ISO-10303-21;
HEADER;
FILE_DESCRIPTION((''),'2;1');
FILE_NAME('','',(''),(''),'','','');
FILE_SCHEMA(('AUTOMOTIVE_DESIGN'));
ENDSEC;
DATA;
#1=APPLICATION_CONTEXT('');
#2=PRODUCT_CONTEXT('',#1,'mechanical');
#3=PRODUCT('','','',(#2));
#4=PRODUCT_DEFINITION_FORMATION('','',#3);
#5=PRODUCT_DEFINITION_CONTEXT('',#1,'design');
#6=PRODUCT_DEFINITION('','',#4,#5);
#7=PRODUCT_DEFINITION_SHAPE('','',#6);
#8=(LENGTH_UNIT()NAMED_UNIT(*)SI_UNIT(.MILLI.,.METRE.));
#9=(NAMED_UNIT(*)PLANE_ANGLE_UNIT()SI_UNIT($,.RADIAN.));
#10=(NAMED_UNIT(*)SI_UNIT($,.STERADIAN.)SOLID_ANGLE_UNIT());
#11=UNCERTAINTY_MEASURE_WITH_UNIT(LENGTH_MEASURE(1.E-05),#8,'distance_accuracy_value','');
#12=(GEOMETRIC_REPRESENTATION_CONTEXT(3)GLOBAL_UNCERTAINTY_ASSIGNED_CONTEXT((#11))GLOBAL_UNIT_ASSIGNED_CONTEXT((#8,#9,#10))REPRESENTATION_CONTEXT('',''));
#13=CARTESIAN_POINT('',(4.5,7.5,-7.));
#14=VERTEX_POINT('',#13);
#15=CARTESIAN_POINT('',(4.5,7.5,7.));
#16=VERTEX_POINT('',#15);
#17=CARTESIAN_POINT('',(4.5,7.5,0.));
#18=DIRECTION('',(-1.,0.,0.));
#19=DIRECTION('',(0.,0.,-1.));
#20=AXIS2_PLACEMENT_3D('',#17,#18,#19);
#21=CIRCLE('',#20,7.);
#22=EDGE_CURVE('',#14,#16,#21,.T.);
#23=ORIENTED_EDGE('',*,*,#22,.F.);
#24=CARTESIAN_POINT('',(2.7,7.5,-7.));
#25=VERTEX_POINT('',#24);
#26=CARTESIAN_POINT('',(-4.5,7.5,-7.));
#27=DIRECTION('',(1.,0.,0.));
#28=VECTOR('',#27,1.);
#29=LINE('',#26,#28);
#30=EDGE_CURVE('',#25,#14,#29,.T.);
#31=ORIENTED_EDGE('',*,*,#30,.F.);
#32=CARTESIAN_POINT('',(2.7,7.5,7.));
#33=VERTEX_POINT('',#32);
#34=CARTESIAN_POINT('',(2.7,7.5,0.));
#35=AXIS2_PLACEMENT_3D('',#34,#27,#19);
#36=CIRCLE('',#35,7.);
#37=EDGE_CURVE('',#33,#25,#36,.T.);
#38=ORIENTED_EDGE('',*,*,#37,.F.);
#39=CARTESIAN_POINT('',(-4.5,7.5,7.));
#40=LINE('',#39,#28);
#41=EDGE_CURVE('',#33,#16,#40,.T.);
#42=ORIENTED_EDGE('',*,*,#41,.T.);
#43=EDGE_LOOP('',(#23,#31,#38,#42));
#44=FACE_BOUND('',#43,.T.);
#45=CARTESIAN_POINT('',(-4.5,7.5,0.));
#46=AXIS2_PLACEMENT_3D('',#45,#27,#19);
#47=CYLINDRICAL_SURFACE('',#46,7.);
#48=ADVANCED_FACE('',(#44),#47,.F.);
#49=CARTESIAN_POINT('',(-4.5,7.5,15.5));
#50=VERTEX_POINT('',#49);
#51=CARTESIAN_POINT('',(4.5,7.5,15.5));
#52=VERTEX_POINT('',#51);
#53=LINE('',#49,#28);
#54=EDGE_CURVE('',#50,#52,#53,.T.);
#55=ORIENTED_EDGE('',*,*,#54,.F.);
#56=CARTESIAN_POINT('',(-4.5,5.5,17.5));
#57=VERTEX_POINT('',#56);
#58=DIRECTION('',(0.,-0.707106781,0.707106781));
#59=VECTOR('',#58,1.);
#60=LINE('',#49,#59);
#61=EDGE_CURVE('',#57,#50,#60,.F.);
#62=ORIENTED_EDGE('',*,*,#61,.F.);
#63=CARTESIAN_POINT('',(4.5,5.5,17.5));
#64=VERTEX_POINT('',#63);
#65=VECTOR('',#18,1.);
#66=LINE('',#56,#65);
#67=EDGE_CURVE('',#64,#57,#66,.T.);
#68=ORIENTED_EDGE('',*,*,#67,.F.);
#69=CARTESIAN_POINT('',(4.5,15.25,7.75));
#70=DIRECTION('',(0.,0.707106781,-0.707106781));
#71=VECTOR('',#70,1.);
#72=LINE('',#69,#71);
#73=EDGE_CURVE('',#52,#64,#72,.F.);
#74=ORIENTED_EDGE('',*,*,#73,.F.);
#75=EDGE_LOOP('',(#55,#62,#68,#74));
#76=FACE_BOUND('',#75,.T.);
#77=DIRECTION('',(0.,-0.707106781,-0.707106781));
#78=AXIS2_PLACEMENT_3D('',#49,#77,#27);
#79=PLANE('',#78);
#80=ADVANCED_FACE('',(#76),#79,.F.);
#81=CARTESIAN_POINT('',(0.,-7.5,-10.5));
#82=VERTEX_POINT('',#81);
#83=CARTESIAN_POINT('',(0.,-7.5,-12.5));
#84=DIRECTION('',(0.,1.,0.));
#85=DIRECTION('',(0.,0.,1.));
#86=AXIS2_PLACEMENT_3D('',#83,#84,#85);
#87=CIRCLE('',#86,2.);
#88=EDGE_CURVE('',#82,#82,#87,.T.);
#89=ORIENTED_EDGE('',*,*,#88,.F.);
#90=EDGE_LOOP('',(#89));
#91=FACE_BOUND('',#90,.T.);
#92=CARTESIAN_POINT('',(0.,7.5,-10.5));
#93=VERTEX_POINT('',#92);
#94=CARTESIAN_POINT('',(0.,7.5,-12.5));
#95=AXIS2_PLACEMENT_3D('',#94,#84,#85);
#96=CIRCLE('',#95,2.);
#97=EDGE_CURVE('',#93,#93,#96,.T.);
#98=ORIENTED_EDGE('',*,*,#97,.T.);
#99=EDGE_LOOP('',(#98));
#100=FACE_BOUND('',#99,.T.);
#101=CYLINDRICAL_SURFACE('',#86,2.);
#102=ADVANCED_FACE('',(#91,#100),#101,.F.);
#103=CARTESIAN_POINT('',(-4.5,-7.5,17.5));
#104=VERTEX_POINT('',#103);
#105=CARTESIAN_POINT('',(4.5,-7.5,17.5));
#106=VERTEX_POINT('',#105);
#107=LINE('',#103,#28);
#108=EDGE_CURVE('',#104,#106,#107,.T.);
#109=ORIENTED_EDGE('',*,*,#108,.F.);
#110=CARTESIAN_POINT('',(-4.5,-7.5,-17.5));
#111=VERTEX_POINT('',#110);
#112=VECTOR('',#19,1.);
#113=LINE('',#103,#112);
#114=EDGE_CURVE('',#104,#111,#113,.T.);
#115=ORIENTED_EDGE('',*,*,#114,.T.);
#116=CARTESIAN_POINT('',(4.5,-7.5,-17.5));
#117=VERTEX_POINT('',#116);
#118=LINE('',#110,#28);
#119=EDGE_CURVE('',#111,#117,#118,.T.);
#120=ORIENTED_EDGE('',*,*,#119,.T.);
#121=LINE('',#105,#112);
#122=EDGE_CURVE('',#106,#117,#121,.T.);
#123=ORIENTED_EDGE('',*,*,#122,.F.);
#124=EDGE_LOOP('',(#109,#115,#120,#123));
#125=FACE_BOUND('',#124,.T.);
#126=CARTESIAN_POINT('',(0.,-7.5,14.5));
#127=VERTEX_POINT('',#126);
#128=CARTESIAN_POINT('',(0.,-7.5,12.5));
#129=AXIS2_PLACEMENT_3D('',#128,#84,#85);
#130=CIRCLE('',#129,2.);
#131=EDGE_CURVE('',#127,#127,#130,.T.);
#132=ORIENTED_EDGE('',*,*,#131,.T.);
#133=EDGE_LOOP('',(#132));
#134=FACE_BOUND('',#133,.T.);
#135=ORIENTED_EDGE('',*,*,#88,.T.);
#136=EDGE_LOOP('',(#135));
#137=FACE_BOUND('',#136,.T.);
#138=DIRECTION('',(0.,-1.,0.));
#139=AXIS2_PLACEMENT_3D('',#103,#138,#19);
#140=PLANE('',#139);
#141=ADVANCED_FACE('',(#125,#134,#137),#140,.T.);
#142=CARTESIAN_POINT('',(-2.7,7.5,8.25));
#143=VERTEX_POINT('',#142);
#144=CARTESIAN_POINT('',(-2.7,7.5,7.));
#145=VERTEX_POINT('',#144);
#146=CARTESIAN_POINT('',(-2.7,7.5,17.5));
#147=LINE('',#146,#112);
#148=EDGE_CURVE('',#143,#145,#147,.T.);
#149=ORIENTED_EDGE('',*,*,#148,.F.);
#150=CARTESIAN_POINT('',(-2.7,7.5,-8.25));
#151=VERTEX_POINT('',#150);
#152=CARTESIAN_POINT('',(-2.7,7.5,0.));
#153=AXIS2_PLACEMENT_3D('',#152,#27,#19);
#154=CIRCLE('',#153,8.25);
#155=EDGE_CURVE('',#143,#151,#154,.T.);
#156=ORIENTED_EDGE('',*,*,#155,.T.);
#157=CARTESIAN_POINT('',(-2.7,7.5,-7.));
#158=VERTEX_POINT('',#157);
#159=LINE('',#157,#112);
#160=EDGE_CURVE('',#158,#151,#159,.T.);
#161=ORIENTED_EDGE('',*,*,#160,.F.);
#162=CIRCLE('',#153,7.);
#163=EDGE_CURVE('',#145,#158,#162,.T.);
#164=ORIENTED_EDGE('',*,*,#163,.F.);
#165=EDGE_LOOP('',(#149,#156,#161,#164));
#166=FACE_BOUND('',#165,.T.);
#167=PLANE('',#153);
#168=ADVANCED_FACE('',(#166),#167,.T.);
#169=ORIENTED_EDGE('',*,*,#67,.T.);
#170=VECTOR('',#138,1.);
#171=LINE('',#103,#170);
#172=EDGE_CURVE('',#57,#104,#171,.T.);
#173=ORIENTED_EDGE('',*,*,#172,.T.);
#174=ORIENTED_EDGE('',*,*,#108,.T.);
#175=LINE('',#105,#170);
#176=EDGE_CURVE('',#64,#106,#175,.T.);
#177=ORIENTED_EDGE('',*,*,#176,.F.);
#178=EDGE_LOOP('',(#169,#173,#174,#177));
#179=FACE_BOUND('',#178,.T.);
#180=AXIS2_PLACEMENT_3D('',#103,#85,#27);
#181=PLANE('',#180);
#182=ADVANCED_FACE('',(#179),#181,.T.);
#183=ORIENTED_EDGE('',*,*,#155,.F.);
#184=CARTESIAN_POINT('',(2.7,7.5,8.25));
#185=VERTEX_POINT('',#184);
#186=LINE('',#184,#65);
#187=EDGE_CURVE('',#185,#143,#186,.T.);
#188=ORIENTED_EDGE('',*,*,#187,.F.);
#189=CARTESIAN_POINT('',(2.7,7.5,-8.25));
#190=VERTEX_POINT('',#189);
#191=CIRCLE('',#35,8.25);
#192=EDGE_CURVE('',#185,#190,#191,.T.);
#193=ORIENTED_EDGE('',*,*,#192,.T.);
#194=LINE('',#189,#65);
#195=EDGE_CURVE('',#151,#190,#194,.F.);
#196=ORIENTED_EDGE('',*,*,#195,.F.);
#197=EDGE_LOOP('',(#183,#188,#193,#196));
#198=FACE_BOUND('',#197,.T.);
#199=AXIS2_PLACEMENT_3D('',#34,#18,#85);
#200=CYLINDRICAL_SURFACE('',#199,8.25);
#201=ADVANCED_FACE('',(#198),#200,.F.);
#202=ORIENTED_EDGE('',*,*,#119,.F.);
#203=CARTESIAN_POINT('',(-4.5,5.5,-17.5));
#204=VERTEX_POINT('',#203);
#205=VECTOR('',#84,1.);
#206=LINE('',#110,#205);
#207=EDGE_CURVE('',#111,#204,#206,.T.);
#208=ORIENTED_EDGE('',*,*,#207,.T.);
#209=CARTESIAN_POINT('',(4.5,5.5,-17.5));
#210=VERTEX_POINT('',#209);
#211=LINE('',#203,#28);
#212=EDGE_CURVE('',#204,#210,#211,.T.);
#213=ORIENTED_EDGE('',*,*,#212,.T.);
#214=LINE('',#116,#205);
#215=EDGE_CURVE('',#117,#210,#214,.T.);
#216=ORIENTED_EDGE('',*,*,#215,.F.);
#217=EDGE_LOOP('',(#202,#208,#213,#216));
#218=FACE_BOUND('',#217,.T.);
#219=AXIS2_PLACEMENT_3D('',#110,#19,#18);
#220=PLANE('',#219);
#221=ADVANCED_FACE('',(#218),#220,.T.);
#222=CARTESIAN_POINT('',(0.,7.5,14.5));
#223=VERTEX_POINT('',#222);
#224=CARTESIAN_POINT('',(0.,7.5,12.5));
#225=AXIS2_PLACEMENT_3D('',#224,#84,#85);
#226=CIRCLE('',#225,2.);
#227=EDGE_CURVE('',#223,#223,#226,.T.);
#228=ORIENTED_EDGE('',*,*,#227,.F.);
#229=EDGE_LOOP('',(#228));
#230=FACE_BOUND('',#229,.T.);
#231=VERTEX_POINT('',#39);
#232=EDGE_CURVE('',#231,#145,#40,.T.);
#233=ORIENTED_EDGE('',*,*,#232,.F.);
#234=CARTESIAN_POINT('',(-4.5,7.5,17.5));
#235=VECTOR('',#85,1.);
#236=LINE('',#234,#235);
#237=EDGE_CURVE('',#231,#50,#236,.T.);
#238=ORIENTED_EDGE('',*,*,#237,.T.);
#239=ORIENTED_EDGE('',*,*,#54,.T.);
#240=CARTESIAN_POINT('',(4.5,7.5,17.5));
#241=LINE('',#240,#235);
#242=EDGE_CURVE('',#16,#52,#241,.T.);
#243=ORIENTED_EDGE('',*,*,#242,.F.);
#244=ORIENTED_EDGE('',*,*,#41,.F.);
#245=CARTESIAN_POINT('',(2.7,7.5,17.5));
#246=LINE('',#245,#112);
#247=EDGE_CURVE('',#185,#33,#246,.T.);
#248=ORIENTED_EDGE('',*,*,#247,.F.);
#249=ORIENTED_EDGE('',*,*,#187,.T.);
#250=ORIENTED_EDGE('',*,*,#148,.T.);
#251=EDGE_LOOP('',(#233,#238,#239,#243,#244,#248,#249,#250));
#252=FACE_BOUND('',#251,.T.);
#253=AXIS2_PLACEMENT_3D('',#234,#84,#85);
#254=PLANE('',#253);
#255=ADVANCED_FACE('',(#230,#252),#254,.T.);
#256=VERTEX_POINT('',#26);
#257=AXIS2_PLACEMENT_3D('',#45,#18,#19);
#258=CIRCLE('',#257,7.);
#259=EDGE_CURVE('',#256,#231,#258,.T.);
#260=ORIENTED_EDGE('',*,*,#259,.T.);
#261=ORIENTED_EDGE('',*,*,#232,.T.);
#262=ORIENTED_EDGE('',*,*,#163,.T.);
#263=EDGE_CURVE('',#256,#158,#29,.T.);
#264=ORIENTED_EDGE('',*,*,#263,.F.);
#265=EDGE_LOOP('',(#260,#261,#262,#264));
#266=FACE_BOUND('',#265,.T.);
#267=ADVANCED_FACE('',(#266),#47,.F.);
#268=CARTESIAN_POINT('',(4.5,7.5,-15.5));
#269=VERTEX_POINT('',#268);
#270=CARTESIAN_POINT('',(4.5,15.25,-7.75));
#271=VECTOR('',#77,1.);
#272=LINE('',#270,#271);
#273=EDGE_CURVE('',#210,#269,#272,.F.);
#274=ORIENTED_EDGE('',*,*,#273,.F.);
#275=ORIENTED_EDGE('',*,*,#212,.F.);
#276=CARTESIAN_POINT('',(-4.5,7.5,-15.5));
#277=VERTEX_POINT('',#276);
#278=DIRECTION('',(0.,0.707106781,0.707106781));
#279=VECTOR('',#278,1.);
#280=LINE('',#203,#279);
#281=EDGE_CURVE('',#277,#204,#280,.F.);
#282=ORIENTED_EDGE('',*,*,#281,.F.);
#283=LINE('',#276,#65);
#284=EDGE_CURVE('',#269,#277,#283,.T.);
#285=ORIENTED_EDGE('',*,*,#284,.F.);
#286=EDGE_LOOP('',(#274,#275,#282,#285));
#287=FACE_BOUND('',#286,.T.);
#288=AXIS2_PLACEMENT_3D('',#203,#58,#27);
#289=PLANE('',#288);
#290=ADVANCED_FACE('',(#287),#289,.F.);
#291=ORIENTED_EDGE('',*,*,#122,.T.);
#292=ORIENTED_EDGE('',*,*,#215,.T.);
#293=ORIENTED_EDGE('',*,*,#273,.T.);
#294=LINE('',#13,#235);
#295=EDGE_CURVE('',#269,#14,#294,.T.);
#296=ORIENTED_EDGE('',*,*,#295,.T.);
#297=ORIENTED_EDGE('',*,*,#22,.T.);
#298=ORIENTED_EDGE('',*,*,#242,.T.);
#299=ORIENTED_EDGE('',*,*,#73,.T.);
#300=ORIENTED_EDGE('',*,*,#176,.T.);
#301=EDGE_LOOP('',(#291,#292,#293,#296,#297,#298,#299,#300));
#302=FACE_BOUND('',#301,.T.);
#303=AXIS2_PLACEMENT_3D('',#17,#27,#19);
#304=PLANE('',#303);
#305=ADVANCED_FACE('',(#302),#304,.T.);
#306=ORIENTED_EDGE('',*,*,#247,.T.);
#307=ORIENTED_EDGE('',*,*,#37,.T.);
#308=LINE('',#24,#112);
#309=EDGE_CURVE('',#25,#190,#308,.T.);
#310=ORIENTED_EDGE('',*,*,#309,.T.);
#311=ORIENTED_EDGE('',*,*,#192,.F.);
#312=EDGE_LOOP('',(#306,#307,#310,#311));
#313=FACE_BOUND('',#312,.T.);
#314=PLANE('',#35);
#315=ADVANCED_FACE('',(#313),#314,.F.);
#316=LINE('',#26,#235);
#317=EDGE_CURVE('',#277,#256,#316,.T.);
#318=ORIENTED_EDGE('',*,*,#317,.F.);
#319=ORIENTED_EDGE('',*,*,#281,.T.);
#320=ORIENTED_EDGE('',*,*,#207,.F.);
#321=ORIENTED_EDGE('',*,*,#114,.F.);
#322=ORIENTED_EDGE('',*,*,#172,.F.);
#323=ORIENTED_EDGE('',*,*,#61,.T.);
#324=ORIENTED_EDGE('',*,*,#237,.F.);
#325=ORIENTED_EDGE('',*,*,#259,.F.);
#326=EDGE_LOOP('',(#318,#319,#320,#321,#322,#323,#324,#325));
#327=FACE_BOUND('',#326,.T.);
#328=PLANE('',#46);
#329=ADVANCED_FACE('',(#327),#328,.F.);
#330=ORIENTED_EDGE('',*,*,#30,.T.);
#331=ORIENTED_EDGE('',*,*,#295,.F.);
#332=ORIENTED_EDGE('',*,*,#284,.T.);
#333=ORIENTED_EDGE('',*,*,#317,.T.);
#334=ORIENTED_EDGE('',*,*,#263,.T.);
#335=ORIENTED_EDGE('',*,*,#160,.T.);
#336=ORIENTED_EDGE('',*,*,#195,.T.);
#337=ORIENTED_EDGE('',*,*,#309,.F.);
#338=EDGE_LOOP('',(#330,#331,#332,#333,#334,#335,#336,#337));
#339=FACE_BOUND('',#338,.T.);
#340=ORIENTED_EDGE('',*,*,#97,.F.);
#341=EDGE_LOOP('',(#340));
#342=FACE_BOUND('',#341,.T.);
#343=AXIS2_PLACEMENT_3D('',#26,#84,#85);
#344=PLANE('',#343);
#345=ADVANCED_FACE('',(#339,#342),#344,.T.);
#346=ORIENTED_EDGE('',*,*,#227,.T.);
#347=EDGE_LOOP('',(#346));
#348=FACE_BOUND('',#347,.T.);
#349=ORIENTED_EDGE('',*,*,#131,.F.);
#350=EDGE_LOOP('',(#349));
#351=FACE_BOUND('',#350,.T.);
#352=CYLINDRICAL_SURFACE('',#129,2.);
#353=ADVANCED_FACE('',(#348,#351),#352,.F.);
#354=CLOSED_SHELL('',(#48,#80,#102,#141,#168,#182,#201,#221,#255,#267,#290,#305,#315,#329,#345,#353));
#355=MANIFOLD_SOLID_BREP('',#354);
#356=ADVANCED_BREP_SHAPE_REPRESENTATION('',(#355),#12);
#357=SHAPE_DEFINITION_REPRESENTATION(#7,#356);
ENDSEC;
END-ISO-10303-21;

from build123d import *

# Parameters (mm, degrees)
BOSS_EXTRUDE1_DEPTH      = 4.5
BOSS_EXTRUDE1_DEPTH_BACK = 4.5
CUT_EXTRUDE1_DEPTH       = 2.7
CUT_EXTRUDE1_DEPTH_BACK  = 2.7
SKETCH2_R                = 8.25
SKETCH3_R                = 2
CUT_EXTRUDE3_DEPTH       = 24.484037132
CHAMFER1_SIZE            = 2


with BuildPart() as part:
    # Sketch1 → Boss-Extrude1 (new, two sides: drawn at the far end of the back side and taken through both)
    with BuildSketch(Plane(origin=(0, 0, 0), x_dir=(0, 0, -1), z_dir=(1, 0, 0)).offset(-BOSS_EXTRUDE1_DEPTH_BACK)):
        with BuildLine():
            Line((7, 7.5), (17.5, 7.5))
            Line((17.5, 7.5), (17.5, -7.5))
            Line((17.5, -7.5), (-17.5, -7.5))
            Line((-17.5, -7.5), (-17.5, 7.5))
            Line((-17.5, 7.5), (-7, 7.5))
            ThreePointArc((-7, 7.5), (0, 0.5), (7, 7.5))
        make_face()
    extrude(amount=BOSS_EXTRUDE1_DEPTH + BOSS_EXTRUDE1_DEPTH_BACK)

    # Sketch2 → Cut-Extrude1 (cut, two sides: drawn at the far end of the back side and taken through both)
    with BuildSketch(Plane(origin=(0, 0, 0), x_dir=(0, 0, -1), z_dir=(1, 0, 0)).offset(-CUT_EXTRUDE1_DEPTH_BACK)):
        with Locations((0, 7.5)):
            Circle(SKETCH2_R)
    extrude(amount=CUT_EXTRUDE1_DEPTH + CUT_EXTRUDE1_DEPTH_BACK, mode=Mode.SUBTRACT)

    # Sketch3 → Cut-Extrude3 (cut, through all)
    with BuildSketch(Plane(origin=(0, 7.5, 0), x_dir=(1, 0, 0), z_dir=(0, 1, 0))):
        with Locations((0, 12.5)):
            Circle(SKETCH3_R)
        with Locations((0, -12.5)):
            Circle(SKETCH3_R)
    extrude(amount=-CUT_EXTRUDE3_DEPTH, mode=Mode.SUBTRACT)

    # Chamfer1
    chamfer1_edges = [part.edges().sort_by_distance(p)[0] for p in [
        (0, 7.5, -17.5),
        (0, 7.5, 17.5),
    ]]
    chamfer(chamfer1_edges, length=CHAMFER1_SIZE)


solid = part.part
